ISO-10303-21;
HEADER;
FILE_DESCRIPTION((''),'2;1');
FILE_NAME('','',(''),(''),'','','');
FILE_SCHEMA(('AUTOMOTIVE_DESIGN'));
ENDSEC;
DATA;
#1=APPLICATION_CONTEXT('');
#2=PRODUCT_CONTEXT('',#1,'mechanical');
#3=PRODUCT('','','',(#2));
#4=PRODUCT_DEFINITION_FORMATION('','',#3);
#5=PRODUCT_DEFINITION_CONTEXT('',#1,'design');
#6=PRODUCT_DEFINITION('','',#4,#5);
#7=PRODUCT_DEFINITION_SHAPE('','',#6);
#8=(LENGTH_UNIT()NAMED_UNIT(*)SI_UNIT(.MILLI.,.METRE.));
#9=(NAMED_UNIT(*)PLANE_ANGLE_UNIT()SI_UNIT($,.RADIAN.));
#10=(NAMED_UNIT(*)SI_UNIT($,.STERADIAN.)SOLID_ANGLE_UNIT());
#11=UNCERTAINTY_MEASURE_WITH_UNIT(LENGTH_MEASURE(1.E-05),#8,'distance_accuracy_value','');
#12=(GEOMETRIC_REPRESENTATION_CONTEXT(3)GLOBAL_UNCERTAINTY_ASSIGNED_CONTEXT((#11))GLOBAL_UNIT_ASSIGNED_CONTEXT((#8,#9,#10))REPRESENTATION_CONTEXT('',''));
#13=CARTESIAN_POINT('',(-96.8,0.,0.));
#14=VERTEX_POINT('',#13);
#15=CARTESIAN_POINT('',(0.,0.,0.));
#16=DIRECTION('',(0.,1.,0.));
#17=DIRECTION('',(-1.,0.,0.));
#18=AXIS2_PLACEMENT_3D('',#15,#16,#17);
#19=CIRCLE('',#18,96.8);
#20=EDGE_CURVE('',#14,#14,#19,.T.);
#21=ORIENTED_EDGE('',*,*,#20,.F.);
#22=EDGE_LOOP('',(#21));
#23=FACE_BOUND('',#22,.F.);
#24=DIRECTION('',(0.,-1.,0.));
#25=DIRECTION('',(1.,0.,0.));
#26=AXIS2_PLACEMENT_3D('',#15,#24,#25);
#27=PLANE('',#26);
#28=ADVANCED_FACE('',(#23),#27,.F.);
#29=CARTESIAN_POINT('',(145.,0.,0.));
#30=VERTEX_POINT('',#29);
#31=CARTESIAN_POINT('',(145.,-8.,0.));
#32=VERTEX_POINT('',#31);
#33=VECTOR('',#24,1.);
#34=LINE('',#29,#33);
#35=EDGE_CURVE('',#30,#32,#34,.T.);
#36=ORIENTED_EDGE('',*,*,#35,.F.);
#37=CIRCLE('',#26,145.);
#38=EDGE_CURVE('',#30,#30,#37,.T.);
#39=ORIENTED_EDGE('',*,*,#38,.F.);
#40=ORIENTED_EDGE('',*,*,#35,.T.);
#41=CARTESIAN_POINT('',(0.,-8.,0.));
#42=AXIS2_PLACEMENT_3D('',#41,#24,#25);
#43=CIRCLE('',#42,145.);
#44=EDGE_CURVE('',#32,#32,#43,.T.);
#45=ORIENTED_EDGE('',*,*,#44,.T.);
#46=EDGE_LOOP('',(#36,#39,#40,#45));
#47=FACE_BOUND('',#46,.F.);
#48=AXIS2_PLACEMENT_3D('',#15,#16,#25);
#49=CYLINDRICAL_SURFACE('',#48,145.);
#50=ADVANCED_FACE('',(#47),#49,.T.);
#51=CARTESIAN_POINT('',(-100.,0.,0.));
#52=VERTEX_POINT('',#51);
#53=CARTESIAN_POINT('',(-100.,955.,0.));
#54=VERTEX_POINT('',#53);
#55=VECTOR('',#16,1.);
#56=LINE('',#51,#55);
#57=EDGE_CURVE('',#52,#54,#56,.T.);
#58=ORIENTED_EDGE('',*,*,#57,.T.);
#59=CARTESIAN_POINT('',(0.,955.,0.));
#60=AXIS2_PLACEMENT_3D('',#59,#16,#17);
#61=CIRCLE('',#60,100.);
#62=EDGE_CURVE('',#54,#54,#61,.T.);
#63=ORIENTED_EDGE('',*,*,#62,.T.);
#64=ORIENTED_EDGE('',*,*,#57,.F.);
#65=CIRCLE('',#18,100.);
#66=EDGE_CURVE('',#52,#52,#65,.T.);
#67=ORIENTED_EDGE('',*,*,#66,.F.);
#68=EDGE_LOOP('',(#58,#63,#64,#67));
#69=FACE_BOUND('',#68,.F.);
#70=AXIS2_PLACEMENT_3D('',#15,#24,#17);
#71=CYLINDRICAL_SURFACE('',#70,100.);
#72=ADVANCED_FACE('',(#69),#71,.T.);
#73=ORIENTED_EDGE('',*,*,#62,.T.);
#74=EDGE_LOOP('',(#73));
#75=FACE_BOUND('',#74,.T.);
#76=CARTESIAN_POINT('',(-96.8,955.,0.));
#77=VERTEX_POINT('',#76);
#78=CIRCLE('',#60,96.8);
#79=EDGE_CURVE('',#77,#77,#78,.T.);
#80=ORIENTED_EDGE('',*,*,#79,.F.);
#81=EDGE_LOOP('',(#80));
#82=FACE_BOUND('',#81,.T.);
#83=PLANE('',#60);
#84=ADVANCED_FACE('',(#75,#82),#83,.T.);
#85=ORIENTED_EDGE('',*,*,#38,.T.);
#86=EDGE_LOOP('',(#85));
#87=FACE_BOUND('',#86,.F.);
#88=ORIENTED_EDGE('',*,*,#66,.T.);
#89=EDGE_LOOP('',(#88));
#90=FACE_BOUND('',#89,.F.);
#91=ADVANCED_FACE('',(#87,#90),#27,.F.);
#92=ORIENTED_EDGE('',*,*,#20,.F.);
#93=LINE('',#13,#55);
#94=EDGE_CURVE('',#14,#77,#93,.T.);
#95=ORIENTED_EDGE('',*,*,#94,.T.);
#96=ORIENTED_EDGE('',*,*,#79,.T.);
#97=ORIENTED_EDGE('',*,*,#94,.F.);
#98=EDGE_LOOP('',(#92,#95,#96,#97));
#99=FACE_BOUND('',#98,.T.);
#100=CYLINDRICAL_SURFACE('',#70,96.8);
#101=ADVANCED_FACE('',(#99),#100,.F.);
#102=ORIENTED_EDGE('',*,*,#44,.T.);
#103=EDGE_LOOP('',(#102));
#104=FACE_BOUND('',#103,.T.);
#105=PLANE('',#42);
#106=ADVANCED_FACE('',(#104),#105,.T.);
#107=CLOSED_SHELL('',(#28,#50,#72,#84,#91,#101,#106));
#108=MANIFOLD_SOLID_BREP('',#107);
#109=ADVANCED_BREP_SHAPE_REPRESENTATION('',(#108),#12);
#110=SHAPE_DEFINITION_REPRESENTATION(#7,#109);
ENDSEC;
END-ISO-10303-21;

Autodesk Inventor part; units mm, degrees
ref_plane "YZ Plane" through (0, 0, 0) normal (1, 0, 0) x (0, 1, 0)
ref_plane "XZ Plane" through (0, 0, 0) normal (0, 1, 0) x (-1, 0, 0)
ref_plane "XY Plane" through (0, 0, 0) normal (0, 0, 1) x (1, 0, 0)
sketch "Boceto1" plane through (0, 0, 0) normal (0, 1, 0) x (-1, 0, 0)
  circle A0 centre (0, 0) radius 100
  circle A1 centre (0, 0) radius 96.8
  dimension "d0" = 200
  dimension "d1" = 193.6
extrude "Extrusión1" add sketch "Boceto1" along normal blind 955
sketch "Boceto2" plane through (0, 0, 0) normal (0, -1, 0) x (1, 0, 0)
  circle A0 centre (0, 0) radius 145
  dimension "d4" = 290
extrude "Extrusión2" add sketch "Boceto2" along normal blind 8
sketch "Boceto3" plane through (0, 955, 0) normal (0, 1, 0) x (1, 0, 0)
  point P0 (0, 0)
properties part number "Cuerpo"
